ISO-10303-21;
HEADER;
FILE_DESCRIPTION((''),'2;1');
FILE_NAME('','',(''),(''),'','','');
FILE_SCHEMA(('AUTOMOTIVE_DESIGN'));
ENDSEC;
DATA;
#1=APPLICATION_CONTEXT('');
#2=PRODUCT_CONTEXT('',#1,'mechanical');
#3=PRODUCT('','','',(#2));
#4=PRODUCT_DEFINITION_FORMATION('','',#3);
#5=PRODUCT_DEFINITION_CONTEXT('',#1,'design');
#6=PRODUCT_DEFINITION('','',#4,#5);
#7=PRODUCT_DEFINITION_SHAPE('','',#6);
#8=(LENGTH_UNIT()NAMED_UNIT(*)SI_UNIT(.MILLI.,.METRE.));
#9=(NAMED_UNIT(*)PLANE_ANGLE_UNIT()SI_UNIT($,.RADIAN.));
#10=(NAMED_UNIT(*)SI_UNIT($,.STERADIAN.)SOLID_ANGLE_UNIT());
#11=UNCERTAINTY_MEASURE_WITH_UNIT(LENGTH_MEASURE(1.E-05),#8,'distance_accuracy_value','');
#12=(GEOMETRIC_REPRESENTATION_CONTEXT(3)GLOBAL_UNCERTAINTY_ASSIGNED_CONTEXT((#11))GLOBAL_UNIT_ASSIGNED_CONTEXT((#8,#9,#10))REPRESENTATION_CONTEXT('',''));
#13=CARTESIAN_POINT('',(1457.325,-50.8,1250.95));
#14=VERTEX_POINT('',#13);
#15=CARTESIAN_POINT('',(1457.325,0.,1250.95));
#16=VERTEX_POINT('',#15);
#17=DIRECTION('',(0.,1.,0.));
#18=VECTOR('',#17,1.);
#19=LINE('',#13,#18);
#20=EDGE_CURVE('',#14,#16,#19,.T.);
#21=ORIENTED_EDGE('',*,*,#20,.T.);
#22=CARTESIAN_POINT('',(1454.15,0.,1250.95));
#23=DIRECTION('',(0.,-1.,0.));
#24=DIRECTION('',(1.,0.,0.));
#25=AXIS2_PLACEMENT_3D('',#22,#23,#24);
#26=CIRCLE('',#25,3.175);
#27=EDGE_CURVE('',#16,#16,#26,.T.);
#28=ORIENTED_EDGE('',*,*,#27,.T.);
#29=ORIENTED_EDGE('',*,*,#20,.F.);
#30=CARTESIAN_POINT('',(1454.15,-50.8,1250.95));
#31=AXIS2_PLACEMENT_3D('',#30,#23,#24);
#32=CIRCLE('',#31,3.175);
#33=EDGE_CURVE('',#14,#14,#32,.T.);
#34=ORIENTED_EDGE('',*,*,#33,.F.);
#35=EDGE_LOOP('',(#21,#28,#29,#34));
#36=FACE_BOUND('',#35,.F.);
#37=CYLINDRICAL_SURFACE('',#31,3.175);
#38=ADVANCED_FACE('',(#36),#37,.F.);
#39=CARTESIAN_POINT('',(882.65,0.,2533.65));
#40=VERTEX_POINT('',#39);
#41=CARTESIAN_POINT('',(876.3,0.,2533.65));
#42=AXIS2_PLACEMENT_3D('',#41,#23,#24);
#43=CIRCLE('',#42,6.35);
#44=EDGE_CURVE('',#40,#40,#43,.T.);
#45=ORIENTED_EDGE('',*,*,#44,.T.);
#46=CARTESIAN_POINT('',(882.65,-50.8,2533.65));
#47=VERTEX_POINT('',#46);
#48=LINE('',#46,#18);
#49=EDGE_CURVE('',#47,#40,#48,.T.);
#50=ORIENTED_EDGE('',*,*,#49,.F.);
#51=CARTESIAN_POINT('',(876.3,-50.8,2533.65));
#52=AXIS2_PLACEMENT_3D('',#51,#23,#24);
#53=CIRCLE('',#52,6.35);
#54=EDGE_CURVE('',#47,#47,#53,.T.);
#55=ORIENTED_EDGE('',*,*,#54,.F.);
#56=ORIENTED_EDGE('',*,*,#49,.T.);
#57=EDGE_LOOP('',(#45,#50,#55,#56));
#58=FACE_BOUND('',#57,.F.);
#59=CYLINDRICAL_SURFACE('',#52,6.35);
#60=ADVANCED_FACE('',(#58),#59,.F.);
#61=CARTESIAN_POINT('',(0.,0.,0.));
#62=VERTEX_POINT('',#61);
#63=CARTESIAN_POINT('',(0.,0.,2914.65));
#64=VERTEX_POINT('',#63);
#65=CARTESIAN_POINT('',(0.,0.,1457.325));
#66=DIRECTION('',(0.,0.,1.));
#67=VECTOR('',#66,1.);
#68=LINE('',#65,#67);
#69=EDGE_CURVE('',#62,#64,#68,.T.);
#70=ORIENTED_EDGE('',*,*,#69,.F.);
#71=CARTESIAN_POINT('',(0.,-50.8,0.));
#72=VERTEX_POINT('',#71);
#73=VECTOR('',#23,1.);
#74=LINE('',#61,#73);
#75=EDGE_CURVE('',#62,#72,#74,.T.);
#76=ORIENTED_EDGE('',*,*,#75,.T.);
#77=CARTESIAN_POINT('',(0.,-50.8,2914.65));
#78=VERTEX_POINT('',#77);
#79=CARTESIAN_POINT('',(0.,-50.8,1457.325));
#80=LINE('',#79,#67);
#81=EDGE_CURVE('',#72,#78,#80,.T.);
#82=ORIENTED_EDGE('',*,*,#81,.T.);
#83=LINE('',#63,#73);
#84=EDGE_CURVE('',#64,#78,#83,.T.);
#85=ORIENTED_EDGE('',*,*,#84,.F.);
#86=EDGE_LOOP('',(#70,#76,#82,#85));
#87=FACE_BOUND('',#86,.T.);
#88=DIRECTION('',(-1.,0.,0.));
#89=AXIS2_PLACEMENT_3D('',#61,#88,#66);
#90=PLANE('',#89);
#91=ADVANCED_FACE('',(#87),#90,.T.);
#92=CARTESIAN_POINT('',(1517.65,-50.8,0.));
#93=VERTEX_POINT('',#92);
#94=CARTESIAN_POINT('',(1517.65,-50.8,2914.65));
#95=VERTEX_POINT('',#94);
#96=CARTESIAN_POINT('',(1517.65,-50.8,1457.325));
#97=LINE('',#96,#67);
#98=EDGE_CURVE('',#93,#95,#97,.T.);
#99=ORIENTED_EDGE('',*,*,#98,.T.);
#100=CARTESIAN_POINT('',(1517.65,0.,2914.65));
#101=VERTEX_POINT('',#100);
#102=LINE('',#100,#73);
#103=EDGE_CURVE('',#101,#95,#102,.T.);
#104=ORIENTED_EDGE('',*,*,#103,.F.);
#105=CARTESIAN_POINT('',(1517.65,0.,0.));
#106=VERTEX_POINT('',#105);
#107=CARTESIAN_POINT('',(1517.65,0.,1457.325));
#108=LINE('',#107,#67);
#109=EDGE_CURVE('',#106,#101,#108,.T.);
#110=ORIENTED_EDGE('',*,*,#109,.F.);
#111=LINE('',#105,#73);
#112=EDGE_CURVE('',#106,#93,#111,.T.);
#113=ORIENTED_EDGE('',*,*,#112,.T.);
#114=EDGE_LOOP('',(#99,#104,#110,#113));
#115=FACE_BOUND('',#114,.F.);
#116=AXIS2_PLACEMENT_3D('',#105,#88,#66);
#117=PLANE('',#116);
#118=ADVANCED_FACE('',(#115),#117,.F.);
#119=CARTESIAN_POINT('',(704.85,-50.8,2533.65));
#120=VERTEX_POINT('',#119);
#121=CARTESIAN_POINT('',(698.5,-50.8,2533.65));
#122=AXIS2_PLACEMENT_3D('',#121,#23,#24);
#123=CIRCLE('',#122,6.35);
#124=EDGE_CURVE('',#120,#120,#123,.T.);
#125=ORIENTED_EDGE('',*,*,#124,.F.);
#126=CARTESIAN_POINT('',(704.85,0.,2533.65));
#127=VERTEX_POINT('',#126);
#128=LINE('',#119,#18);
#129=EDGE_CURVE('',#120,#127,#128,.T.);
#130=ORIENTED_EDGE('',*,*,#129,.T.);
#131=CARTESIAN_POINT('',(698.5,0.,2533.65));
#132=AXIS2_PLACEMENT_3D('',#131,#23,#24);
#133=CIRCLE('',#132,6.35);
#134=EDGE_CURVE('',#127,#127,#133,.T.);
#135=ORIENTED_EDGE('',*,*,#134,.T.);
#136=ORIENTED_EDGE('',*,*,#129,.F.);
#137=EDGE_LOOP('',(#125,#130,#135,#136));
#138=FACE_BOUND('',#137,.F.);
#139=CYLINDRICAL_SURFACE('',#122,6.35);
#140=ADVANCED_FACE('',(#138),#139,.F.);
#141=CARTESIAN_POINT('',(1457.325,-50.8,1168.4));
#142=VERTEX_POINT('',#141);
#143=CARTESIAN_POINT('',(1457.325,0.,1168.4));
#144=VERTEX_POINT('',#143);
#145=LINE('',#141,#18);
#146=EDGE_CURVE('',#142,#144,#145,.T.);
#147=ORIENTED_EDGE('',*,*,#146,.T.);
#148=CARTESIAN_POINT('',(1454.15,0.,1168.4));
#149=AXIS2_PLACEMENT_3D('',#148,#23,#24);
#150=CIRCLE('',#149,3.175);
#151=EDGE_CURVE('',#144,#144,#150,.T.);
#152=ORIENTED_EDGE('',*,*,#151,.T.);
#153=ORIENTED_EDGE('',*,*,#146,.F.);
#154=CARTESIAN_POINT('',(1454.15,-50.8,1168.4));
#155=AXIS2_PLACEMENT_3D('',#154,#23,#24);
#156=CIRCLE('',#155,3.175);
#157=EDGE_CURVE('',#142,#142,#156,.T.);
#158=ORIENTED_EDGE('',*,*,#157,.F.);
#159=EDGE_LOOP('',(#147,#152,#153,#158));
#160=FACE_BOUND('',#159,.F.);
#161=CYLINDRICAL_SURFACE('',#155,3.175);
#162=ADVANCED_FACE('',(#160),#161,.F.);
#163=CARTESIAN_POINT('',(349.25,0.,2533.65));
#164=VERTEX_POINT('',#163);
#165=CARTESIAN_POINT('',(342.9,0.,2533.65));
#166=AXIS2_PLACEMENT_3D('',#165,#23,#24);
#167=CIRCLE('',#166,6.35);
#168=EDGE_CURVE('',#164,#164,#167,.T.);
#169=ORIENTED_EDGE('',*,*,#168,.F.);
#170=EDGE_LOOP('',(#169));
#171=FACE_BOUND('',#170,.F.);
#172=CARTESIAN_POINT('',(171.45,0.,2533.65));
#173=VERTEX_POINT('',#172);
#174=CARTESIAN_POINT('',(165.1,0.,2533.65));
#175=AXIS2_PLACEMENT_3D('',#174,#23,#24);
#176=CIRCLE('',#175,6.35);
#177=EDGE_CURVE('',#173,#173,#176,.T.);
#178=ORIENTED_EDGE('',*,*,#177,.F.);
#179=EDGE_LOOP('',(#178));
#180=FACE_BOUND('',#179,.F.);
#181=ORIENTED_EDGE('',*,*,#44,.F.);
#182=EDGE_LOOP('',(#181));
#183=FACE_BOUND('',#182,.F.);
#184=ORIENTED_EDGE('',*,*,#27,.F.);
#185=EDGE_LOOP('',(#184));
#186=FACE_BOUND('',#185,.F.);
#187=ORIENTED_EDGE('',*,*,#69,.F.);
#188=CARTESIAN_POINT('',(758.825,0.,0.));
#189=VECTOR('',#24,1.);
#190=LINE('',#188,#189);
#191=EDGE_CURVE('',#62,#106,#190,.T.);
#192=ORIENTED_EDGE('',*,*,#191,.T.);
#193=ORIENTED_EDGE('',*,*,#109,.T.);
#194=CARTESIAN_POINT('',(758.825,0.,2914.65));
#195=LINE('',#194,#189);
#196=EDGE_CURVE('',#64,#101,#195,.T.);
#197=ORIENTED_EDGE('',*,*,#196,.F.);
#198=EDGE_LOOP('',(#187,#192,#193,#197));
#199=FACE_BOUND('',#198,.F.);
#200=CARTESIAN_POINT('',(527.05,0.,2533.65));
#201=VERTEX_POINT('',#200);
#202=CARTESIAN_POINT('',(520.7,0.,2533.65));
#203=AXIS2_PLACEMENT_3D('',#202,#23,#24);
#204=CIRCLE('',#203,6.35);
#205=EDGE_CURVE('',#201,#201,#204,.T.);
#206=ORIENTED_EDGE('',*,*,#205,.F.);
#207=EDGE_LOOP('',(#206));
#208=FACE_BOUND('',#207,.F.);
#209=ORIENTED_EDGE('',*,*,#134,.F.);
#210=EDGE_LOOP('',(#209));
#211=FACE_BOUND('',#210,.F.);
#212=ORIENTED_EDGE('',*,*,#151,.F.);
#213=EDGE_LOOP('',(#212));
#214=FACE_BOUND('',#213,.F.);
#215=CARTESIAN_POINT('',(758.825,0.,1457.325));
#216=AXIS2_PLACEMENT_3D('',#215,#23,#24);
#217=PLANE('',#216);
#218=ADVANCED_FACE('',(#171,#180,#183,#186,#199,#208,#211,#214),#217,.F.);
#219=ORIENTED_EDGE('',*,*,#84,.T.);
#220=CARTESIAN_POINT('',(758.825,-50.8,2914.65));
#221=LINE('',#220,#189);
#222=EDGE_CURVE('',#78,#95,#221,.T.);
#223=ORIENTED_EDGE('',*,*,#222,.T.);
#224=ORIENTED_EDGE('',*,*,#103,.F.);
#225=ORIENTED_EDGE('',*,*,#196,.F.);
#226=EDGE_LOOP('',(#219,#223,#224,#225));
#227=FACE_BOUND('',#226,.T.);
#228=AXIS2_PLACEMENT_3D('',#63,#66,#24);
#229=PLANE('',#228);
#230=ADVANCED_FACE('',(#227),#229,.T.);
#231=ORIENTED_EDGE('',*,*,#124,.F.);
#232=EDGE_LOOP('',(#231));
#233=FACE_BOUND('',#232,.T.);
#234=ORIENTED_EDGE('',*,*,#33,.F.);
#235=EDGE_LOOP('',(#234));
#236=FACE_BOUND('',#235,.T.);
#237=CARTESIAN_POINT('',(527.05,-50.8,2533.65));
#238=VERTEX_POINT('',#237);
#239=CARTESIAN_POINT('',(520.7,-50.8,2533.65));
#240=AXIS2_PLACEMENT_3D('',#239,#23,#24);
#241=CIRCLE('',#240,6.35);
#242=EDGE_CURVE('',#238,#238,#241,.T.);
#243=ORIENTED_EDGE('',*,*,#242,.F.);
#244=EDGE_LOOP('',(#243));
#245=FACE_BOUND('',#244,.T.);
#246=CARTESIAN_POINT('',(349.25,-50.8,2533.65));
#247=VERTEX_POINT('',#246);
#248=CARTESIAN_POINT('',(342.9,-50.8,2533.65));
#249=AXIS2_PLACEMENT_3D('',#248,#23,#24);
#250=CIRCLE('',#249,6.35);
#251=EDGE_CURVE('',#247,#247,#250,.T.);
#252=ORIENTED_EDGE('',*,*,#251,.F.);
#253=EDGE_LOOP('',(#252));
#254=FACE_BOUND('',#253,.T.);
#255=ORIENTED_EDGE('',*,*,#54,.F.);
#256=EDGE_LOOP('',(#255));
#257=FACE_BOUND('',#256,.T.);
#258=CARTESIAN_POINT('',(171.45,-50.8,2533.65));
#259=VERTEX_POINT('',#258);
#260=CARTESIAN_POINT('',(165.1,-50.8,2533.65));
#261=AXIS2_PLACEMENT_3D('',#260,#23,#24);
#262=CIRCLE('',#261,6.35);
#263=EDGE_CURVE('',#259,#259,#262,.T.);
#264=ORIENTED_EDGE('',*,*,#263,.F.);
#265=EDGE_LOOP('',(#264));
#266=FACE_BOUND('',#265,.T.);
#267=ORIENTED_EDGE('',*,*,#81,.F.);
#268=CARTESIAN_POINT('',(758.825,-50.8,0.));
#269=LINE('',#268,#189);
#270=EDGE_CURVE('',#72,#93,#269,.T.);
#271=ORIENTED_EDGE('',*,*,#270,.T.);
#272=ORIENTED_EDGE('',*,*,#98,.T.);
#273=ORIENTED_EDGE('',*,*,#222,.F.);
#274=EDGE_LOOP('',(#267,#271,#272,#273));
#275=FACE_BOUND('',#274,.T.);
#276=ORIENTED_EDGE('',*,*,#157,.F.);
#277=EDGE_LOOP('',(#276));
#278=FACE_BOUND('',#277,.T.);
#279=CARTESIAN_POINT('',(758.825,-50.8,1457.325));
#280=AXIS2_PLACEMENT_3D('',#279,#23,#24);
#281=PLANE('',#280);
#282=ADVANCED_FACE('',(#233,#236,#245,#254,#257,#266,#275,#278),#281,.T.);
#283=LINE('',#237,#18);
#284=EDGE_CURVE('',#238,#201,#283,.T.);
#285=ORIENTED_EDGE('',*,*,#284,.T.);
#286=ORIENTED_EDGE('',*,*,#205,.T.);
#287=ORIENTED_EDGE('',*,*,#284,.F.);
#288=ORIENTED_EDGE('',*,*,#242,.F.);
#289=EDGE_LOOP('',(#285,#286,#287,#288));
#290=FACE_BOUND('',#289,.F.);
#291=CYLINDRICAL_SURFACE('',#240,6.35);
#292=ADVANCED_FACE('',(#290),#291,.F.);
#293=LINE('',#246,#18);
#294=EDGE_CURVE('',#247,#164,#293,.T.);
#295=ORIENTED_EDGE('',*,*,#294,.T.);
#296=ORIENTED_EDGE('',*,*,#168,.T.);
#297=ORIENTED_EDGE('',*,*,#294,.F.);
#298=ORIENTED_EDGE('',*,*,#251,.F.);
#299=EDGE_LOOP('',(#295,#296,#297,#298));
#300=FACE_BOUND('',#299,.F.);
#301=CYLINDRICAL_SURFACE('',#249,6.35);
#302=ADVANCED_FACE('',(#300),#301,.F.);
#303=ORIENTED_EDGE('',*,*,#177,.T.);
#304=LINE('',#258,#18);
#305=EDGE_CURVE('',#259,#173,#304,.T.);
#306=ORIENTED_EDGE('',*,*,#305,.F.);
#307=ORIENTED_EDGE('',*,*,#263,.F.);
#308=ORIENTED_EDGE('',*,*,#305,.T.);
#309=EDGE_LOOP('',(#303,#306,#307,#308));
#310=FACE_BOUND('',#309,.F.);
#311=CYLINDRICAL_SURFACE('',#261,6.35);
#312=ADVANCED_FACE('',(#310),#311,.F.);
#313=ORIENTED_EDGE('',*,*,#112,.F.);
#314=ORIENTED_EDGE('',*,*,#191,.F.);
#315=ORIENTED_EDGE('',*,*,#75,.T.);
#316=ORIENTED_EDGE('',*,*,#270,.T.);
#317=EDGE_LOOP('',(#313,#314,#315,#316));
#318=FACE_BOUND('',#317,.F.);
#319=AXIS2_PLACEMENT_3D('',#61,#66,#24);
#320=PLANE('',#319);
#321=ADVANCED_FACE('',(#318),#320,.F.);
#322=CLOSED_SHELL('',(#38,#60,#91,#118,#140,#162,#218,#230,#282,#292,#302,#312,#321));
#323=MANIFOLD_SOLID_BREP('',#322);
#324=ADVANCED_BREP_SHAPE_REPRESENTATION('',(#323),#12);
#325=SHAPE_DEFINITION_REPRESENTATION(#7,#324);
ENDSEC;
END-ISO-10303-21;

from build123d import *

# Parameters (mm, degrees)
F0_W     = 1517.65
F0_H     = 2914.65
F1_DEPTH = 50.8
F2_R     = 6.35
F3_DEPTH = 50.801
F4_R     = 3.175
F5_DEPTH = 50.801


with BuildPart() as f1:
    # F0 (on Front) → F1 (new body)
    with BuildSketch(Plane.XZ):
        with Locations((758.825, 1457.325)):
            Rectangle(F0_W, F0_H)
    extrude(amount=F1_DEPTH)

    # F2 (on face) → F3 (cut, through all)
    with BuildSketch(Plane.XZ.offset(50.8)):
        with Locations((165.1, 2533.65)):
            Circle(F2_R)
        with Locations((342.9, 2533.65)):
            Circle(F2_R)
        with Locations((520.7, 2533.65)):
            Circle(F2_R)
        with Locations((698.5, 2533.65)):
            Circle(F2_R)
        with Locations((876.3, 2533.65)):
            Circle(F2_R)
    extrude(amount=-F3_DEPTH, mode=Mode.SUBTRACT)

    # F4 (on face) → F5 (cut, through all)
    with BuildSketch(Plane.XZ.offset(50.8)):
        with Locations((1454.15, 1250.95)):
            Circle(F4_R)
        with Locations((1454.15, 1168.4)):
            Circle(F4_R)
    extrude(amount=-F5_DEPTH, mode=Mode.SUBTRACT)


solid = f1.part
